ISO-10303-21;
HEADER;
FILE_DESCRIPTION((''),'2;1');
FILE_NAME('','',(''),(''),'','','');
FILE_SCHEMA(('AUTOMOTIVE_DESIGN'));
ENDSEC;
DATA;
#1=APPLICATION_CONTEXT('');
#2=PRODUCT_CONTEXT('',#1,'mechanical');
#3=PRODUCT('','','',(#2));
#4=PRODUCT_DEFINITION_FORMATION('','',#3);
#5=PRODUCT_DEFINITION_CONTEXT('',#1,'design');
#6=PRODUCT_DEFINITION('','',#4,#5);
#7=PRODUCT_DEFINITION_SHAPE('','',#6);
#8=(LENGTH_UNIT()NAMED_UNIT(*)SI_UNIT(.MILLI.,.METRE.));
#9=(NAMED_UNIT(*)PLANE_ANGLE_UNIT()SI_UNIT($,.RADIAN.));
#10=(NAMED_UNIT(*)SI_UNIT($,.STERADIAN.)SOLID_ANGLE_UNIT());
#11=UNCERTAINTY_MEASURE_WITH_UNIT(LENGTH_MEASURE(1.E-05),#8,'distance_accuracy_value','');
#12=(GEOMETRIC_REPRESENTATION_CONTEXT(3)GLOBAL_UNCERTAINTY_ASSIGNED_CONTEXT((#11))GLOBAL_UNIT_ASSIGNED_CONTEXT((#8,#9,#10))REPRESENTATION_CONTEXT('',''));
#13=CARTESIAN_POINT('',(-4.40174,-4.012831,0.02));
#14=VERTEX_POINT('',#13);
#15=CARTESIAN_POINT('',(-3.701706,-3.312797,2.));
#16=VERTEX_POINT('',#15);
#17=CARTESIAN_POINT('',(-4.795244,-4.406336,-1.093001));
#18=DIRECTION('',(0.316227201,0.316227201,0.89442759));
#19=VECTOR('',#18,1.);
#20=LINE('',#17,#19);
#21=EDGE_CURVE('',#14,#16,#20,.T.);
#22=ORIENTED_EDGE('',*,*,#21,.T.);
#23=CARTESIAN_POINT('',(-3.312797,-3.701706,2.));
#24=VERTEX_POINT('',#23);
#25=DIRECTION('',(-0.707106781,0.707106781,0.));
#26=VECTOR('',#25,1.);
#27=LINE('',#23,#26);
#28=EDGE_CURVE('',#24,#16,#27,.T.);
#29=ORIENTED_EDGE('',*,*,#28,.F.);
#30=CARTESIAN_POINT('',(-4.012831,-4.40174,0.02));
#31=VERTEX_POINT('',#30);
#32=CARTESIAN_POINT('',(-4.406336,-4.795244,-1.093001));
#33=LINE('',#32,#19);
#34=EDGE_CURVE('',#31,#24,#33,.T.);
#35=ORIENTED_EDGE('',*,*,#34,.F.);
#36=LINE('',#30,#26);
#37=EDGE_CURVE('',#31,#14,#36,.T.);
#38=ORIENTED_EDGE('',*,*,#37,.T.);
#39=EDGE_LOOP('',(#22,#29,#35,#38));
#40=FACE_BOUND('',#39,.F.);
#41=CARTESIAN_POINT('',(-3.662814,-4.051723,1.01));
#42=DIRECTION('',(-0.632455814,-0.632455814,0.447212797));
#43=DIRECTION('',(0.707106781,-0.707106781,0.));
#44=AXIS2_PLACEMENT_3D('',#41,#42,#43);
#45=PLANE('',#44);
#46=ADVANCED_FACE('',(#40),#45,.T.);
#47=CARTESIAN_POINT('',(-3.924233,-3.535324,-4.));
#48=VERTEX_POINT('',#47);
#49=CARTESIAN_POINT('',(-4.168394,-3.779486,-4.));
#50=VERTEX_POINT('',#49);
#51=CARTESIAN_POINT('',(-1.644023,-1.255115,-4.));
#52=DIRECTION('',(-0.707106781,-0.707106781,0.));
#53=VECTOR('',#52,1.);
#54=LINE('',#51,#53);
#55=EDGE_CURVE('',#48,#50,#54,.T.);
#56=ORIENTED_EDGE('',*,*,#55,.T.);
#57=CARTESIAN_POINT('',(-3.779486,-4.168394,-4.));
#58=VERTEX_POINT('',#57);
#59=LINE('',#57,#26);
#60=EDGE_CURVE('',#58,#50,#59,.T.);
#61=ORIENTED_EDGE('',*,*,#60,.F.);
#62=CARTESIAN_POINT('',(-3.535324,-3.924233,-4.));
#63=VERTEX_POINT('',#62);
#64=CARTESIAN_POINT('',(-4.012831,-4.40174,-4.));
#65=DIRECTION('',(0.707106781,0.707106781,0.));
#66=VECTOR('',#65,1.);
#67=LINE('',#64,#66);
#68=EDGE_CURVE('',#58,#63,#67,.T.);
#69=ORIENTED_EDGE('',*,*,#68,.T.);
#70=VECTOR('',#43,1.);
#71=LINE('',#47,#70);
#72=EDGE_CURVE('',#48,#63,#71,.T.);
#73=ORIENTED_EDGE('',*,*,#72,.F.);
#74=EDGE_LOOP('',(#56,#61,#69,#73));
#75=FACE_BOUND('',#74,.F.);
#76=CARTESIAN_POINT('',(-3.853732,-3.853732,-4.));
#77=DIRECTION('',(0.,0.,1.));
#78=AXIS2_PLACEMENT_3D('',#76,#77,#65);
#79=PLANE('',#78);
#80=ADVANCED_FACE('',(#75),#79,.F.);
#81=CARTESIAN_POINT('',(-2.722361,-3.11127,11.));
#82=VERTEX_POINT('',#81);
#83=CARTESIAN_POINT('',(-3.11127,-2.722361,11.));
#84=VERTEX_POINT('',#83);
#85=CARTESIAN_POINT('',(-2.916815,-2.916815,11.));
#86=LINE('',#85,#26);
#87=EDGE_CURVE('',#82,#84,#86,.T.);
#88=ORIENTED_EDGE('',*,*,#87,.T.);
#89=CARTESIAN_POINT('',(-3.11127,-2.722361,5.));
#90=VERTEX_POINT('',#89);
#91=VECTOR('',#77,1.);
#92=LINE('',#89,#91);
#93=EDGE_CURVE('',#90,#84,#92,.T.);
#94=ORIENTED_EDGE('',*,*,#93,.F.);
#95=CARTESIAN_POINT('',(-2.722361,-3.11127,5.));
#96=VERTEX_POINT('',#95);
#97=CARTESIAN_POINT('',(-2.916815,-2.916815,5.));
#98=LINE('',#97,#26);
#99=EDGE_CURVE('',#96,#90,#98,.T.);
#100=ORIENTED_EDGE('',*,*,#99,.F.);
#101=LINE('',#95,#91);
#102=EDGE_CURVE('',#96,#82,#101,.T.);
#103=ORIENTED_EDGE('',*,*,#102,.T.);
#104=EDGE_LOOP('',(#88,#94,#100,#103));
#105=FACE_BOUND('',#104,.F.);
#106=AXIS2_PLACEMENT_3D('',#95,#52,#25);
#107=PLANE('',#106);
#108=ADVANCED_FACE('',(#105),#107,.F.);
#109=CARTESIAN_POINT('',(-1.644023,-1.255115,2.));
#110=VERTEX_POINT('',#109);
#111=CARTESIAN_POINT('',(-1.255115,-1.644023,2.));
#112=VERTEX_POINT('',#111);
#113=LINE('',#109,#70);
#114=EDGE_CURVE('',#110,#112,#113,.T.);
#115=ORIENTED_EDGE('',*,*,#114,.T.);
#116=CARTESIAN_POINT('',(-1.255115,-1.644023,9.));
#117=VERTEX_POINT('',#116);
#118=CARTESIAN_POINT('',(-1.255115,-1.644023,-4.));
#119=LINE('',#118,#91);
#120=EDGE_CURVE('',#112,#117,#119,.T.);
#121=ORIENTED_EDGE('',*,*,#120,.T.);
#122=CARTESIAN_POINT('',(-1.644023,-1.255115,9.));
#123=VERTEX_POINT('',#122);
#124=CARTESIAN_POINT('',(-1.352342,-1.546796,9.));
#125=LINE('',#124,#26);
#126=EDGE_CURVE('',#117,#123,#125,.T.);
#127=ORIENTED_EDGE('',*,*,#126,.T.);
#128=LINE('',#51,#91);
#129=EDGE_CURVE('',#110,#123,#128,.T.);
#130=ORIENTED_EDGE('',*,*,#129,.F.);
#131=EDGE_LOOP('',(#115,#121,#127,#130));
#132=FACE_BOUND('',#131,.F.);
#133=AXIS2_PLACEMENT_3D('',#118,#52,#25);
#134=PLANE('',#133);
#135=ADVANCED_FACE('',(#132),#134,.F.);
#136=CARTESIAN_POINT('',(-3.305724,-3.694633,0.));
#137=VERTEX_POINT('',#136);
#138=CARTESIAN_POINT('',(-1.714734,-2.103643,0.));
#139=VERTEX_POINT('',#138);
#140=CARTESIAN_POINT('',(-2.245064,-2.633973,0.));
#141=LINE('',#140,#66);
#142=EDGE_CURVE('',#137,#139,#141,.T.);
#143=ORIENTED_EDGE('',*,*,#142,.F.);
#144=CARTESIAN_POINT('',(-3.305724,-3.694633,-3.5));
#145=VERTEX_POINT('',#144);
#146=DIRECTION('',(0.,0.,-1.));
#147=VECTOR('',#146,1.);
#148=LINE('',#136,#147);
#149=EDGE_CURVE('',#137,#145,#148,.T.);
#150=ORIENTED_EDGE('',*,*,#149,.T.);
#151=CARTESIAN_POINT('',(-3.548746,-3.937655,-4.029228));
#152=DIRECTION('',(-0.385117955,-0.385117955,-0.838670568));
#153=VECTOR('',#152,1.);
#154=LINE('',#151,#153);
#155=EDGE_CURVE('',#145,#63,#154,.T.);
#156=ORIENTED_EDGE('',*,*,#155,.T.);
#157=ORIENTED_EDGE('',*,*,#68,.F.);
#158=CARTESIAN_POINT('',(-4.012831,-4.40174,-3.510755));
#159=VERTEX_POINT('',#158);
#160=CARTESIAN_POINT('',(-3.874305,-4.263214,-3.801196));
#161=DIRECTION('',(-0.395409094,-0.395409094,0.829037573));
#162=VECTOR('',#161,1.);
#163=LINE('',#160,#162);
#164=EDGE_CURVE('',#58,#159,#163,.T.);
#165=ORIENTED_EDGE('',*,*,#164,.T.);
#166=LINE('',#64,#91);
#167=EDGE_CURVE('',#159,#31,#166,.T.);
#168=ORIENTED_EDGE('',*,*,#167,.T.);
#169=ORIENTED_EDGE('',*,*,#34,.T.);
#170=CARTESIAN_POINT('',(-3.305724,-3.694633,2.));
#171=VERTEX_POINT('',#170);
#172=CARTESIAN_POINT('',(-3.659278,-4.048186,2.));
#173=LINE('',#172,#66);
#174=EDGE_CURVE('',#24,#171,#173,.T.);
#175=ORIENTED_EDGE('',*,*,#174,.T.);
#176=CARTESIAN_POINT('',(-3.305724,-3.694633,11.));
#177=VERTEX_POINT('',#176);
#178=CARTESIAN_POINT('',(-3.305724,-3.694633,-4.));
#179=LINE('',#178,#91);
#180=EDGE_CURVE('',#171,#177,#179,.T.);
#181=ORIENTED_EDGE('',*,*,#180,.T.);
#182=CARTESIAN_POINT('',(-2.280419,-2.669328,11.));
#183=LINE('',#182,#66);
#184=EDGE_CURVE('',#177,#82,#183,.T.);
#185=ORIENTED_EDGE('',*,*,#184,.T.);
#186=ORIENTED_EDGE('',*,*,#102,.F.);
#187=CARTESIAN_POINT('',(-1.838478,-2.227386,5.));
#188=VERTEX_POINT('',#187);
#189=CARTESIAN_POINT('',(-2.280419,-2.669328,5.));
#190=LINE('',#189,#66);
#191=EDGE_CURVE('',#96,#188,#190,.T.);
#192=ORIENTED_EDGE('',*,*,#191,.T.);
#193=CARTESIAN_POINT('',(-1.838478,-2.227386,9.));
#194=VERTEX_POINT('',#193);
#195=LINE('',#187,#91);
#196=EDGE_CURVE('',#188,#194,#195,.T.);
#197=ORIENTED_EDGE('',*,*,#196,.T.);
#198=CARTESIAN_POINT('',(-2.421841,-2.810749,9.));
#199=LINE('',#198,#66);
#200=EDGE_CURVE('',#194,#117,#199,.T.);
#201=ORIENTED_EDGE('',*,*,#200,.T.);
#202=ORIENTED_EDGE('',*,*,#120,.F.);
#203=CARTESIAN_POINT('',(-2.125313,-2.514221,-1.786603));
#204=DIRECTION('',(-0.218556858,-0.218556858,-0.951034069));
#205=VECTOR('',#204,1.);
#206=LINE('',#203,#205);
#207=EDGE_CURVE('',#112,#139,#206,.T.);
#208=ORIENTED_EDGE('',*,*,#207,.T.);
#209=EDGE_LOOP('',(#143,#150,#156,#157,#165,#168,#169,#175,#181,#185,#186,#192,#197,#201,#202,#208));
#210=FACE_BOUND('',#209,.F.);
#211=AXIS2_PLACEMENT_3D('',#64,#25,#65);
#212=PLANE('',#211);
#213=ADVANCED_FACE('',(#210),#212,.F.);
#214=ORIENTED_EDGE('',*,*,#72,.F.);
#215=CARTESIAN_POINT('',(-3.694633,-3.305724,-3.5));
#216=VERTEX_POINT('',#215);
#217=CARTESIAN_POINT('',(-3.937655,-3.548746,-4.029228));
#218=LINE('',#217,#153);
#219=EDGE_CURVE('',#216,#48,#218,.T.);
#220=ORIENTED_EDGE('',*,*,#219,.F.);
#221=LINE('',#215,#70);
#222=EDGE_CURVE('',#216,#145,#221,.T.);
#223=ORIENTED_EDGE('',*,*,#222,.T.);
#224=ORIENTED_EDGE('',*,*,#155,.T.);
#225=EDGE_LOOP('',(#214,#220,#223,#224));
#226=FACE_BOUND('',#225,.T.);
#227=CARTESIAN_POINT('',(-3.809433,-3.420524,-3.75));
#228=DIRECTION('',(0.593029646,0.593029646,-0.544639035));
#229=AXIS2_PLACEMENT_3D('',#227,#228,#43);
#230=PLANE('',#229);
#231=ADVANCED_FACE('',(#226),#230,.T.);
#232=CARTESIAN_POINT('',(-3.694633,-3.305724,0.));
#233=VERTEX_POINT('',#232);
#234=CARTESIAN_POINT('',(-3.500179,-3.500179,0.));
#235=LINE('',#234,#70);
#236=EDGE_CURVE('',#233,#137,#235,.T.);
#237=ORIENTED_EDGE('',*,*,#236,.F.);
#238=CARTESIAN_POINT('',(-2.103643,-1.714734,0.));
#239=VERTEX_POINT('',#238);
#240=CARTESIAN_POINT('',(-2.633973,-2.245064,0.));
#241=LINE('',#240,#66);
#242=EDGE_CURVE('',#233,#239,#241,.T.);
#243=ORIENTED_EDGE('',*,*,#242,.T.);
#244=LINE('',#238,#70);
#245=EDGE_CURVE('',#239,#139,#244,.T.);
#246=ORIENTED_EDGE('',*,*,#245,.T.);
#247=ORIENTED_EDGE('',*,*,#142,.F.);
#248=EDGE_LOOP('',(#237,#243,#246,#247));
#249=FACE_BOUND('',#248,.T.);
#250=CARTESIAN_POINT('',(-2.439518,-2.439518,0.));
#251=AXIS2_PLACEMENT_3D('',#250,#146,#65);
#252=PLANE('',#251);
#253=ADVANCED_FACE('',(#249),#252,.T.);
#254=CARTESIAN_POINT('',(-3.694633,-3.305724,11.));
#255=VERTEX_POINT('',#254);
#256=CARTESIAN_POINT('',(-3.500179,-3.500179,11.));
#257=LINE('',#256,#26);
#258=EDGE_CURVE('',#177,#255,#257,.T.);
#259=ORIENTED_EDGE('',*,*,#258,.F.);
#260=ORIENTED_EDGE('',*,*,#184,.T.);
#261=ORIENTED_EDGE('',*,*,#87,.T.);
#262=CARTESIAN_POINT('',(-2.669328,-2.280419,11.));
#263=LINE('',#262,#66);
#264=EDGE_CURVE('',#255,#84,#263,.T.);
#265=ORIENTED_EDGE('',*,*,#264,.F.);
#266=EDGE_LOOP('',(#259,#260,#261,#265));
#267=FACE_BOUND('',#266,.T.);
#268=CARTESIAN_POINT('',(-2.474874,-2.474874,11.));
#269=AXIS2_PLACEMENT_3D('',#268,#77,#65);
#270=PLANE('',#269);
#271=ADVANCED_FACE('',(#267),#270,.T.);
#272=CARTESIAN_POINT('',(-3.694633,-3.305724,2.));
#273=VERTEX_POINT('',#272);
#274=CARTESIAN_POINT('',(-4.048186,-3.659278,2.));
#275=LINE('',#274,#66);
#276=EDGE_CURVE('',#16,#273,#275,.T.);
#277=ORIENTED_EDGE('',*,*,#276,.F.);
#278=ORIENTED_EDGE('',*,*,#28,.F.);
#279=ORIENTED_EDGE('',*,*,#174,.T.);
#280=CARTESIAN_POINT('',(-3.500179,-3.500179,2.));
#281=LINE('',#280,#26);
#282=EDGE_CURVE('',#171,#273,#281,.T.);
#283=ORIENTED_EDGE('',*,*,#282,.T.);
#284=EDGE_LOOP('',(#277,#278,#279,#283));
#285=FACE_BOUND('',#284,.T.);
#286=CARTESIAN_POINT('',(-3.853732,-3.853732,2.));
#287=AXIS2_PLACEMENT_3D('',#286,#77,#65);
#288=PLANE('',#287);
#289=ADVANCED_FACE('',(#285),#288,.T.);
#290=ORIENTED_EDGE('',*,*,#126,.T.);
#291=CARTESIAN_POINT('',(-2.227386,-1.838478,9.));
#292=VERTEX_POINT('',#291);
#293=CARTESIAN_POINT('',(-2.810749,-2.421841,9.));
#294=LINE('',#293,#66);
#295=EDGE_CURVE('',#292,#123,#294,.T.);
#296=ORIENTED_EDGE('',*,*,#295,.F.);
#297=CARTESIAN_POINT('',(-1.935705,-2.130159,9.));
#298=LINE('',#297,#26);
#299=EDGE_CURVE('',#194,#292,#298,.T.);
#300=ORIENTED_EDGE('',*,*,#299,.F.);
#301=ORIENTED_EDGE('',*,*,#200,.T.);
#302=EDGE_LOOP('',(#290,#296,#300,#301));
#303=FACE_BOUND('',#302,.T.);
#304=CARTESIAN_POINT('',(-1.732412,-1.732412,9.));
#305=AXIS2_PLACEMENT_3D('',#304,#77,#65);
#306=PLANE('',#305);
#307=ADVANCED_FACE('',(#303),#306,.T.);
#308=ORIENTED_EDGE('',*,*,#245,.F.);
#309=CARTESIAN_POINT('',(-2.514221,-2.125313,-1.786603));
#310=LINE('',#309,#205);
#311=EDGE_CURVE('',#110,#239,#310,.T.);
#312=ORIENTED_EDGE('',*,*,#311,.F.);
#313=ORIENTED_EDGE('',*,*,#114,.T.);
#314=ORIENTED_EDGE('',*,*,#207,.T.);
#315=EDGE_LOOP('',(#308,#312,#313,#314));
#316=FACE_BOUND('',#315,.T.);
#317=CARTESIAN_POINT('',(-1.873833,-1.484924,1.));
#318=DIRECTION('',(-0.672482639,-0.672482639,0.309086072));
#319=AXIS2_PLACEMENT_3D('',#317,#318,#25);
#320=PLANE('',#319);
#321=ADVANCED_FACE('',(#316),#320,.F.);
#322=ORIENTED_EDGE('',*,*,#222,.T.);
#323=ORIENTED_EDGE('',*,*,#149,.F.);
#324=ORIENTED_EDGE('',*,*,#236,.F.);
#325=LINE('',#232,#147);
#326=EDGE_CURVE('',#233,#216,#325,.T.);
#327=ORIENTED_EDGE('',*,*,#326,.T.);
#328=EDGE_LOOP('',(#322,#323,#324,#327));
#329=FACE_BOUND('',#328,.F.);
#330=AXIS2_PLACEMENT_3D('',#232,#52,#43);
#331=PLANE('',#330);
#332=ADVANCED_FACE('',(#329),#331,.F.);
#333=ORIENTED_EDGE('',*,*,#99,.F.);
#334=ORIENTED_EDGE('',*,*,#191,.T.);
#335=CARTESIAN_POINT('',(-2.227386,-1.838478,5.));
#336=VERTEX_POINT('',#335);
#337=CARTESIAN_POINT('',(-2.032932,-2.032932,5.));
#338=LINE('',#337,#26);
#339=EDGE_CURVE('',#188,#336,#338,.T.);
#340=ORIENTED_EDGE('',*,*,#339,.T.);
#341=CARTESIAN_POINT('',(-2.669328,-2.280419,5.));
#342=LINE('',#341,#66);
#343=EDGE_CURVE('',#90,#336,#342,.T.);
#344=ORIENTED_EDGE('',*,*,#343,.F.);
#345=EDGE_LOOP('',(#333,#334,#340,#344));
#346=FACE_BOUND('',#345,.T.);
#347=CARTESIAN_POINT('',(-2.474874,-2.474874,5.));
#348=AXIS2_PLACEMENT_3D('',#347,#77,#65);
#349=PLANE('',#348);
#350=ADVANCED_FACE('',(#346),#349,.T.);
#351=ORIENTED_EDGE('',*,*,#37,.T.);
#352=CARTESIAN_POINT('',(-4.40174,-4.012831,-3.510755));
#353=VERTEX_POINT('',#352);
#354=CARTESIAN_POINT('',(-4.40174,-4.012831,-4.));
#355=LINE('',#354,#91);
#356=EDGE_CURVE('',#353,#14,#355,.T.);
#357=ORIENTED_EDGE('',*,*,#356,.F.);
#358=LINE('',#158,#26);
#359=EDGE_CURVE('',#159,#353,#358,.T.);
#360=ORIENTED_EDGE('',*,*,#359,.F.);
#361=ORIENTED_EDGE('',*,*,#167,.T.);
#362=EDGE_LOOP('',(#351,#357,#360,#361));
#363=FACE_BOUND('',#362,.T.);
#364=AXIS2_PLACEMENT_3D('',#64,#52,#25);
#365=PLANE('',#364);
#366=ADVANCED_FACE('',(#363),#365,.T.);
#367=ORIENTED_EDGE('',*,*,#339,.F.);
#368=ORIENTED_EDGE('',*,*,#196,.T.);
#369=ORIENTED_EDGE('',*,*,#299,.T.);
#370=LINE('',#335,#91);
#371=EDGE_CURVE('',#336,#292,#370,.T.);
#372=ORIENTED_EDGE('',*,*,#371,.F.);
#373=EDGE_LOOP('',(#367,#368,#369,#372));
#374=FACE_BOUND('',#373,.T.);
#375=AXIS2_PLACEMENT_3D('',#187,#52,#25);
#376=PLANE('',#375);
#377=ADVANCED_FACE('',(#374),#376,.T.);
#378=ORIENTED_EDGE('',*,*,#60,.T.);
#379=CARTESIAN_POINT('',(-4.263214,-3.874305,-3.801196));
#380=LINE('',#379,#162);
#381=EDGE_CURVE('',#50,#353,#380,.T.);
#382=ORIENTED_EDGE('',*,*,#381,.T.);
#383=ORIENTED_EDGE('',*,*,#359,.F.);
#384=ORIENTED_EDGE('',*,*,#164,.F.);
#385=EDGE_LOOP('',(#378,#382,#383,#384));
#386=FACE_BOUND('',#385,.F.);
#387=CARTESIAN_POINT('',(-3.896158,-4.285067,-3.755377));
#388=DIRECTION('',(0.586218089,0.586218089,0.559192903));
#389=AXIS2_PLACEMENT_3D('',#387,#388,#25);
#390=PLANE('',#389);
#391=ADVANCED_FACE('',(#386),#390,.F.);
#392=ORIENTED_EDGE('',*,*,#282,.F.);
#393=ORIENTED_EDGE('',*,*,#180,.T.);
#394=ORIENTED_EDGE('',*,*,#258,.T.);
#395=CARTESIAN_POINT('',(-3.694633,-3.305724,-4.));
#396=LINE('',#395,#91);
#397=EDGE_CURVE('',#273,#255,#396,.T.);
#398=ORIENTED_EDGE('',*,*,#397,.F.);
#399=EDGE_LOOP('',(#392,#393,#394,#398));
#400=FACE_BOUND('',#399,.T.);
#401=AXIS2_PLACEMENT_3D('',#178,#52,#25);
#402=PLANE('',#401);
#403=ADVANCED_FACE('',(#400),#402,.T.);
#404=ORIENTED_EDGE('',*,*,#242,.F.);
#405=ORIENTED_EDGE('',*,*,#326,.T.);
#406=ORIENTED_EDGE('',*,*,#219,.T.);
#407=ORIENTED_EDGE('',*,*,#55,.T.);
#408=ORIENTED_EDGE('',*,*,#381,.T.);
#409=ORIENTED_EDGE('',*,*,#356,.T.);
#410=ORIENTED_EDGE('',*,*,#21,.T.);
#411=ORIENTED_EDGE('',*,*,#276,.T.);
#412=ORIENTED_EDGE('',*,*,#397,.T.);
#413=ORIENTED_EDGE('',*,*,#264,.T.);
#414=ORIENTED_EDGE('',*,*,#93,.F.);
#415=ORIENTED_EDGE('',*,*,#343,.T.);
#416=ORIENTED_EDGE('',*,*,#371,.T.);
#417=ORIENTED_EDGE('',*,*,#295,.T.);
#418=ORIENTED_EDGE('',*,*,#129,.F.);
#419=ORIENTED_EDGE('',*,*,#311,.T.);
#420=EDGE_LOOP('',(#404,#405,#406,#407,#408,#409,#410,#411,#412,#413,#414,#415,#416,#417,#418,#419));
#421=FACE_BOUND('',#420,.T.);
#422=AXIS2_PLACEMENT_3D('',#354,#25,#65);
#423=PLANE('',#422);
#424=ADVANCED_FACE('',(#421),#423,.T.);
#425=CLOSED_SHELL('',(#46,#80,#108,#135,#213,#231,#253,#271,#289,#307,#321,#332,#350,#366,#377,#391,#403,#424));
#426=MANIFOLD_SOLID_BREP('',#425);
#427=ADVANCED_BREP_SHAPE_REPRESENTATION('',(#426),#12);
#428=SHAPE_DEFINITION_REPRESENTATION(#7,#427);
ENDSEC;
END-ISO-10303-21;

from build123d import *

# Parameters (mm, degrees)
BOX034_W                = 2.9
BOX034_H                = 0.55
BOX034_DEPTH            = 15
BOX035_W                = 1.25
BOX035_H                = 0.55
BOX035_DEPTH            = 6
BOX036_W                = 1.1
BOX036_H                = 0.6
BOX036_DEPTH            = 2
BOX038_W                = 1
BOX038_H                = 0.55
BOX038_DEPTH            = 6
BOX037_W                = 3
BOX037_H                = 0.55
BOX037_DEPTH            = 4
CHAMFER014_SIZE2        = 0.65
CHAMFER014_SIZE         = 2
CHAMFER015_ANGLE        = 33
CHAMFER015_SIZE         = 0.5
CHAMFER017_ANGLE        = 56
CHAMFER017_SIZE         = 0.33
CHAMFER016_ANGLE        = 26.565
CHAMFER016_SIZE         = 1.98
BODY022_PLACEMENT_ANGLE = 45


with BuildPart() as part:
    # Box034 → Box034 (join)
    with BuildSketch(Plane(origin=(-4.95, -0.275, 0), x_dir=(1, 0, 0), z_dir=(0, 0, 1))):
        with Locations((1.45, 0.275)):
            Rectangle(BOX034_W, BOX034_H)
    extrude(amount=BOX034_DEPTH)

    # Box035 → Box035 (cut)
    with BuildSketch(Plane(origin=(-4.125, -0.275, 9), x_dir=(1, 0, 0), z_dir=(0, 0, 1))):
        with Locations((0.625, 0.275)):
            Rectangle(BOX035_W, BOX035_H)
    extrude(amount=BOX035_DEPTH, mode=Mode.SUBTRACT)

    # Box036 → Box036 (cut)
    with BuildSketch(Plane(origin=(-3, -0.3, 13), x_dir=(1, 0, 0), z_dir=(0, 0, 1))):
        with Locations((0.55, 0.3)):
            Rectangle(BOX036_W, BOX036_H)
    extrude(amount=BOX036_DEPTH, mode=Mode.SUBTRACT)

    # Box038 → Box038 (join)
    with BuildSketch(Plane(origin=(-5.95, -0.275, 0), x_dir=(1, 0, 0), z_dir=(0, 0, 1))):
        with Locations((0.5, 0.275)):
            Rectangle(BOX038_W, BOX038_H)
    extrude(amount=BOX038_DEPTH)

    # Box037 → Box037 (cut)
    with BuildSketch(Plane(origin=(-4.95, 0.275, 4), x_dir=(1, 0, 0), z_dir=(0, 0, -1))):
        with Locations((1.5, 0.275)):
            Rectangle(BOX037_W, BOX037_H)
    extrude(amount=BOX037_DEPTH, mode=Mode.SUBTRACT)

    # Chamfer014
    chamfer014_edges = [part.edges().sort_by_distance(p)[0] for p in [
        (-2.05, 0, 4),
    ]]
    chamfer014_side = part.faces().sort_by_distance((-2.05, 0, 8.5))[0]
    chamfer(chamfer014_edges, length=CHAMFER014_SIZE, length2=CHAMFER014_SIZE2, reference=chamfer014_side)

    # Chamfer015
    chamfer015_edges = [part.edges().sort_by_distance(p)[0] for p in [
        (-4.95, 0, 0),
    ]]
    chamfer015_side = part.faces().sort_by_distance((-4.95, 0, 2))[0]
    chamfer(chamfer015_edges, length=CHAMFER015_SIZE, angle=CHAMFER015_ANGLE, reference=chamfer015_side)

    # Chamfer017
    chamfer017_edges = [part.edges().sort_by_distance(p)[0] for p in [
        (-5.95, 0, 0),
    ]]
    chamfer017_side = part.faces().sort_by_distance((-5.612352, 0, 0))[0]
    chamfer(chamfer017_edges, length=CHAMFER017_SIZE, angle=CHAMFER017_ANGLE, reference=chamfer017_side)

    # Chamfer016
    chamfer016_edges = [part.edges().sort_by_distance(p)[0] for p in [
        (-5.95, 0, 6),
    ]]
    chamfer016_side = part.faces().sort_by_distance((-5.95, 0, 3.244623))[0]
    chamfer(chamfer016_edges, length=CHAMFER016_SIZE, angle=CHAMFER016_ANGLE, reference=chamfer016_side)


with BuildPart() as part_1:
    # Body022 placement: moved
    add(part.part.moved(Location((0, 0, -4))).rotate(Axis((0, 0, -4), (0, 0, 1)), BODY022_PLACEMENT_ANGLE))


solid = part_1.part
